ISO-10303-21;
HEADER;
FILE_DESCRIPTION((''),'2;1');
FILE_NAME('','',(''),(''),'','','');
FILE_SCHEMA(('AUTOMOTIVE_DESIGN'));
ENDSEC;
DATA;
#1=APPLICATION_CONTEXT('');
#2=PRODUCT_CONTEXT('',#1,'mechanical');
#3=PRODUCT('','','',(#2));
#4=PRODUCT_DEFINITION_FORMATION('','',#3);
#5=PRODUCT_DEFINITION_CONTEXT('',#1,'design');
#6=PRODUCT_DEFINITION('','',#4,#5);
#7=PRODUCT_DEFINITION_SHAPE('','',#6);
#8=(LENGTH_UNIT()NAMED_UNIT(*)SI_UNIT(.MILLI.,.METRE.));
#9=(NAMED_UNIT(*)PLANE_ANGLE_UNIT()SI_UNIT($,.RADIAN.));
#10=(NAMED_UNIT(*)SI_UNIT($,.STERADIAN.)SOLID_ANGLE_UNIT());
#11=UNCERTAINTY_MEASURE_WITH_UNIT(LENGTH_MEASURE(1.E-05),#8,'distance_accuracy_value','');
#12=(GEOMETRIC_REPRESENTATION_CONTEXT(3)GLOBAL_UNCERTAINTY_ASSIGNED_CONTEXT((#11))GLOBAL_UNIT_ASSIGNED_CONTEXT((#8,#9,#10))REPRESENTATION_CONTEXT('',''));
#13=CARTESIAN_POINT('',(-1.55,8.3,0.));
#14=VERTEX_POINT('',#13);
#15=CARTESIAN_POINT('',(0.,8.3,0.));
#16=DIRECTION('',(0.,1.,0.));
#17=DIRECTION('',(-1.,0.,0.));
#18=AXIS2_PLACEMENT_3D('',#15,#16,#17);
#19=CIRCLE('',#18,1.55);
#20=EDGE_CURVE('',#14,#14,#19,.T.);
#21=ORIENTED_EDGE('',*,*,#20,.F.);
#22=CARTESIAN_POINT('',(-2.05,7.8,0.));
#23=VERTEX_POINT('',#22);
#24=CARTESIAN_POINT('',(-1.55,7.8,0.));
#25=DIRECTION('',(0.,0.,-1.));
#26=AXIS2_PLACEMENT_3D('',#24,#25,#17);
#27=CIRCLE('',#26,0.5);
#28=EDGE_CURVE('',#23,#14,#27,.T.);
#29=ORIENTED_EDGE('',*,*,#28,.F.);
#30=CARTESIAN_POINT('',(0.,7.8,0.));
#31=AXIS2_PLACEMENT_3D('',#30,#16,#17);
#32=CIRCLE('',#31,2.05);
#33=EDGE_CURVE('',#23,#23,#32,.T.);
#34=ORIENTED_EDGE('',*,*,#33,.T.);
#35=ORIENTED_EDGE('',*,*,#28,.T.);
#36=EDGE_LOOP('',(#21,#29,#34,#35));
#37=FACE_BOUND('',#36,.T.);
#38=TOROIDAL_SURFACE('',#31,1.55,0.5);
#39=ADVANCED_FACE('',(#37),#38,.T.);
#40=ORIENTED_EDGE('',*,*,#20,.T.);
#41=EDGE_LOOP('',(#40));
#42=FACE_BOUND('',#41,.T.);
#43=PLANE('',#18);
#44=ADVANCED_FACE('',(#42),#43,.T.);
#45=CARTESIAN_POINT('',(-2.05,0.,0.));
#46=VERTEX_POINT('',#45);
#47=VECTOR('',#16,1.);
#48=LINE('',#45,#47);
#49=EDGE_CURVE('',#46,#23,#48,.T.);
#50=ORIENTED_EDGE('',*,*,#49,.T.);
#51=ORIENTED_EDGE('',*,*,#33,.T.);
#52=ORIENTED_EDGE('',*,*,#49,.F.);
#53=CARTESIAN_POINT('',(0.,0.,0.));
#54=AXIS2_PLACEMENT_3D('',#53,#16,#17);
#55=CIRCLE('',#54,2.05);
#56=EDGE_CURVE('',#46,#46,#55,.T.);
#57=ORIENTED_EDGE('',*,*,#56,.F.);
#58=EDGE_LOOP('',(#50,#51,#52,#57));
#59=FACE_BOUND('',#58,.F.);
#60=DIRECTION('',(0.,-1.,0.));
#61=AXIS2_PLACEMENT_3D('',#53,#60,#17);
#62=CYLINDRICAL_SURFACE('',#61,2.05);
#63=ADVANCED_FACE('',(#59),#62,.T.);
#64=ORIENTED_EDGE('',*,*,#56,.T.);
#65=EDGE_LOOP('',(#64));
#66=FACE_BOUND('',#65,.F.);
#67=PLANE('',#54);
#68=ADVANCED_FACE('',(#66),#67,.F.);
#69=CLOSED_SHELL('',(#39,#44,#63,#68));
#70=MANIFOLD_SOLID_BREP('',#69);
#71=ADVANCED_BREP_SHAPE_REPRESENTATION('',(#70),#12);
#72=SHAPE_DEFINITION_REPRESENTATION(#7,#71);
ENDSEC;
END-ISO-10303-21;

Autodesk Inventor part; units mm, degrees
ref_plane "YZ Plane" through (0, 0, 0) normal (1, 0, 0) x (0, 1, 0)
ref_plane "XZ Plane" through (0, 0, 0) normal (0, 1, 0) x (-1, 0, 0)
ref_plane "XY Plane" through (0, 0, 0) normal (0, 0, 1) x (1, 0, 0)
sketch "Sketch1" plane through (0, 0, 0) normal (0, 1, 0) x (-1, 0, 0)
  circle A0 centre (0, 0) radius 2.05
  dimension "d0" = 4.1
extrude "Extrusion1" add sketch "Sketch1" along normal blind 8.3
fillet "Fillet1" radius 0.5 1 edges at (2.05, 8.3, 0)
properties part number "Capacitor"
